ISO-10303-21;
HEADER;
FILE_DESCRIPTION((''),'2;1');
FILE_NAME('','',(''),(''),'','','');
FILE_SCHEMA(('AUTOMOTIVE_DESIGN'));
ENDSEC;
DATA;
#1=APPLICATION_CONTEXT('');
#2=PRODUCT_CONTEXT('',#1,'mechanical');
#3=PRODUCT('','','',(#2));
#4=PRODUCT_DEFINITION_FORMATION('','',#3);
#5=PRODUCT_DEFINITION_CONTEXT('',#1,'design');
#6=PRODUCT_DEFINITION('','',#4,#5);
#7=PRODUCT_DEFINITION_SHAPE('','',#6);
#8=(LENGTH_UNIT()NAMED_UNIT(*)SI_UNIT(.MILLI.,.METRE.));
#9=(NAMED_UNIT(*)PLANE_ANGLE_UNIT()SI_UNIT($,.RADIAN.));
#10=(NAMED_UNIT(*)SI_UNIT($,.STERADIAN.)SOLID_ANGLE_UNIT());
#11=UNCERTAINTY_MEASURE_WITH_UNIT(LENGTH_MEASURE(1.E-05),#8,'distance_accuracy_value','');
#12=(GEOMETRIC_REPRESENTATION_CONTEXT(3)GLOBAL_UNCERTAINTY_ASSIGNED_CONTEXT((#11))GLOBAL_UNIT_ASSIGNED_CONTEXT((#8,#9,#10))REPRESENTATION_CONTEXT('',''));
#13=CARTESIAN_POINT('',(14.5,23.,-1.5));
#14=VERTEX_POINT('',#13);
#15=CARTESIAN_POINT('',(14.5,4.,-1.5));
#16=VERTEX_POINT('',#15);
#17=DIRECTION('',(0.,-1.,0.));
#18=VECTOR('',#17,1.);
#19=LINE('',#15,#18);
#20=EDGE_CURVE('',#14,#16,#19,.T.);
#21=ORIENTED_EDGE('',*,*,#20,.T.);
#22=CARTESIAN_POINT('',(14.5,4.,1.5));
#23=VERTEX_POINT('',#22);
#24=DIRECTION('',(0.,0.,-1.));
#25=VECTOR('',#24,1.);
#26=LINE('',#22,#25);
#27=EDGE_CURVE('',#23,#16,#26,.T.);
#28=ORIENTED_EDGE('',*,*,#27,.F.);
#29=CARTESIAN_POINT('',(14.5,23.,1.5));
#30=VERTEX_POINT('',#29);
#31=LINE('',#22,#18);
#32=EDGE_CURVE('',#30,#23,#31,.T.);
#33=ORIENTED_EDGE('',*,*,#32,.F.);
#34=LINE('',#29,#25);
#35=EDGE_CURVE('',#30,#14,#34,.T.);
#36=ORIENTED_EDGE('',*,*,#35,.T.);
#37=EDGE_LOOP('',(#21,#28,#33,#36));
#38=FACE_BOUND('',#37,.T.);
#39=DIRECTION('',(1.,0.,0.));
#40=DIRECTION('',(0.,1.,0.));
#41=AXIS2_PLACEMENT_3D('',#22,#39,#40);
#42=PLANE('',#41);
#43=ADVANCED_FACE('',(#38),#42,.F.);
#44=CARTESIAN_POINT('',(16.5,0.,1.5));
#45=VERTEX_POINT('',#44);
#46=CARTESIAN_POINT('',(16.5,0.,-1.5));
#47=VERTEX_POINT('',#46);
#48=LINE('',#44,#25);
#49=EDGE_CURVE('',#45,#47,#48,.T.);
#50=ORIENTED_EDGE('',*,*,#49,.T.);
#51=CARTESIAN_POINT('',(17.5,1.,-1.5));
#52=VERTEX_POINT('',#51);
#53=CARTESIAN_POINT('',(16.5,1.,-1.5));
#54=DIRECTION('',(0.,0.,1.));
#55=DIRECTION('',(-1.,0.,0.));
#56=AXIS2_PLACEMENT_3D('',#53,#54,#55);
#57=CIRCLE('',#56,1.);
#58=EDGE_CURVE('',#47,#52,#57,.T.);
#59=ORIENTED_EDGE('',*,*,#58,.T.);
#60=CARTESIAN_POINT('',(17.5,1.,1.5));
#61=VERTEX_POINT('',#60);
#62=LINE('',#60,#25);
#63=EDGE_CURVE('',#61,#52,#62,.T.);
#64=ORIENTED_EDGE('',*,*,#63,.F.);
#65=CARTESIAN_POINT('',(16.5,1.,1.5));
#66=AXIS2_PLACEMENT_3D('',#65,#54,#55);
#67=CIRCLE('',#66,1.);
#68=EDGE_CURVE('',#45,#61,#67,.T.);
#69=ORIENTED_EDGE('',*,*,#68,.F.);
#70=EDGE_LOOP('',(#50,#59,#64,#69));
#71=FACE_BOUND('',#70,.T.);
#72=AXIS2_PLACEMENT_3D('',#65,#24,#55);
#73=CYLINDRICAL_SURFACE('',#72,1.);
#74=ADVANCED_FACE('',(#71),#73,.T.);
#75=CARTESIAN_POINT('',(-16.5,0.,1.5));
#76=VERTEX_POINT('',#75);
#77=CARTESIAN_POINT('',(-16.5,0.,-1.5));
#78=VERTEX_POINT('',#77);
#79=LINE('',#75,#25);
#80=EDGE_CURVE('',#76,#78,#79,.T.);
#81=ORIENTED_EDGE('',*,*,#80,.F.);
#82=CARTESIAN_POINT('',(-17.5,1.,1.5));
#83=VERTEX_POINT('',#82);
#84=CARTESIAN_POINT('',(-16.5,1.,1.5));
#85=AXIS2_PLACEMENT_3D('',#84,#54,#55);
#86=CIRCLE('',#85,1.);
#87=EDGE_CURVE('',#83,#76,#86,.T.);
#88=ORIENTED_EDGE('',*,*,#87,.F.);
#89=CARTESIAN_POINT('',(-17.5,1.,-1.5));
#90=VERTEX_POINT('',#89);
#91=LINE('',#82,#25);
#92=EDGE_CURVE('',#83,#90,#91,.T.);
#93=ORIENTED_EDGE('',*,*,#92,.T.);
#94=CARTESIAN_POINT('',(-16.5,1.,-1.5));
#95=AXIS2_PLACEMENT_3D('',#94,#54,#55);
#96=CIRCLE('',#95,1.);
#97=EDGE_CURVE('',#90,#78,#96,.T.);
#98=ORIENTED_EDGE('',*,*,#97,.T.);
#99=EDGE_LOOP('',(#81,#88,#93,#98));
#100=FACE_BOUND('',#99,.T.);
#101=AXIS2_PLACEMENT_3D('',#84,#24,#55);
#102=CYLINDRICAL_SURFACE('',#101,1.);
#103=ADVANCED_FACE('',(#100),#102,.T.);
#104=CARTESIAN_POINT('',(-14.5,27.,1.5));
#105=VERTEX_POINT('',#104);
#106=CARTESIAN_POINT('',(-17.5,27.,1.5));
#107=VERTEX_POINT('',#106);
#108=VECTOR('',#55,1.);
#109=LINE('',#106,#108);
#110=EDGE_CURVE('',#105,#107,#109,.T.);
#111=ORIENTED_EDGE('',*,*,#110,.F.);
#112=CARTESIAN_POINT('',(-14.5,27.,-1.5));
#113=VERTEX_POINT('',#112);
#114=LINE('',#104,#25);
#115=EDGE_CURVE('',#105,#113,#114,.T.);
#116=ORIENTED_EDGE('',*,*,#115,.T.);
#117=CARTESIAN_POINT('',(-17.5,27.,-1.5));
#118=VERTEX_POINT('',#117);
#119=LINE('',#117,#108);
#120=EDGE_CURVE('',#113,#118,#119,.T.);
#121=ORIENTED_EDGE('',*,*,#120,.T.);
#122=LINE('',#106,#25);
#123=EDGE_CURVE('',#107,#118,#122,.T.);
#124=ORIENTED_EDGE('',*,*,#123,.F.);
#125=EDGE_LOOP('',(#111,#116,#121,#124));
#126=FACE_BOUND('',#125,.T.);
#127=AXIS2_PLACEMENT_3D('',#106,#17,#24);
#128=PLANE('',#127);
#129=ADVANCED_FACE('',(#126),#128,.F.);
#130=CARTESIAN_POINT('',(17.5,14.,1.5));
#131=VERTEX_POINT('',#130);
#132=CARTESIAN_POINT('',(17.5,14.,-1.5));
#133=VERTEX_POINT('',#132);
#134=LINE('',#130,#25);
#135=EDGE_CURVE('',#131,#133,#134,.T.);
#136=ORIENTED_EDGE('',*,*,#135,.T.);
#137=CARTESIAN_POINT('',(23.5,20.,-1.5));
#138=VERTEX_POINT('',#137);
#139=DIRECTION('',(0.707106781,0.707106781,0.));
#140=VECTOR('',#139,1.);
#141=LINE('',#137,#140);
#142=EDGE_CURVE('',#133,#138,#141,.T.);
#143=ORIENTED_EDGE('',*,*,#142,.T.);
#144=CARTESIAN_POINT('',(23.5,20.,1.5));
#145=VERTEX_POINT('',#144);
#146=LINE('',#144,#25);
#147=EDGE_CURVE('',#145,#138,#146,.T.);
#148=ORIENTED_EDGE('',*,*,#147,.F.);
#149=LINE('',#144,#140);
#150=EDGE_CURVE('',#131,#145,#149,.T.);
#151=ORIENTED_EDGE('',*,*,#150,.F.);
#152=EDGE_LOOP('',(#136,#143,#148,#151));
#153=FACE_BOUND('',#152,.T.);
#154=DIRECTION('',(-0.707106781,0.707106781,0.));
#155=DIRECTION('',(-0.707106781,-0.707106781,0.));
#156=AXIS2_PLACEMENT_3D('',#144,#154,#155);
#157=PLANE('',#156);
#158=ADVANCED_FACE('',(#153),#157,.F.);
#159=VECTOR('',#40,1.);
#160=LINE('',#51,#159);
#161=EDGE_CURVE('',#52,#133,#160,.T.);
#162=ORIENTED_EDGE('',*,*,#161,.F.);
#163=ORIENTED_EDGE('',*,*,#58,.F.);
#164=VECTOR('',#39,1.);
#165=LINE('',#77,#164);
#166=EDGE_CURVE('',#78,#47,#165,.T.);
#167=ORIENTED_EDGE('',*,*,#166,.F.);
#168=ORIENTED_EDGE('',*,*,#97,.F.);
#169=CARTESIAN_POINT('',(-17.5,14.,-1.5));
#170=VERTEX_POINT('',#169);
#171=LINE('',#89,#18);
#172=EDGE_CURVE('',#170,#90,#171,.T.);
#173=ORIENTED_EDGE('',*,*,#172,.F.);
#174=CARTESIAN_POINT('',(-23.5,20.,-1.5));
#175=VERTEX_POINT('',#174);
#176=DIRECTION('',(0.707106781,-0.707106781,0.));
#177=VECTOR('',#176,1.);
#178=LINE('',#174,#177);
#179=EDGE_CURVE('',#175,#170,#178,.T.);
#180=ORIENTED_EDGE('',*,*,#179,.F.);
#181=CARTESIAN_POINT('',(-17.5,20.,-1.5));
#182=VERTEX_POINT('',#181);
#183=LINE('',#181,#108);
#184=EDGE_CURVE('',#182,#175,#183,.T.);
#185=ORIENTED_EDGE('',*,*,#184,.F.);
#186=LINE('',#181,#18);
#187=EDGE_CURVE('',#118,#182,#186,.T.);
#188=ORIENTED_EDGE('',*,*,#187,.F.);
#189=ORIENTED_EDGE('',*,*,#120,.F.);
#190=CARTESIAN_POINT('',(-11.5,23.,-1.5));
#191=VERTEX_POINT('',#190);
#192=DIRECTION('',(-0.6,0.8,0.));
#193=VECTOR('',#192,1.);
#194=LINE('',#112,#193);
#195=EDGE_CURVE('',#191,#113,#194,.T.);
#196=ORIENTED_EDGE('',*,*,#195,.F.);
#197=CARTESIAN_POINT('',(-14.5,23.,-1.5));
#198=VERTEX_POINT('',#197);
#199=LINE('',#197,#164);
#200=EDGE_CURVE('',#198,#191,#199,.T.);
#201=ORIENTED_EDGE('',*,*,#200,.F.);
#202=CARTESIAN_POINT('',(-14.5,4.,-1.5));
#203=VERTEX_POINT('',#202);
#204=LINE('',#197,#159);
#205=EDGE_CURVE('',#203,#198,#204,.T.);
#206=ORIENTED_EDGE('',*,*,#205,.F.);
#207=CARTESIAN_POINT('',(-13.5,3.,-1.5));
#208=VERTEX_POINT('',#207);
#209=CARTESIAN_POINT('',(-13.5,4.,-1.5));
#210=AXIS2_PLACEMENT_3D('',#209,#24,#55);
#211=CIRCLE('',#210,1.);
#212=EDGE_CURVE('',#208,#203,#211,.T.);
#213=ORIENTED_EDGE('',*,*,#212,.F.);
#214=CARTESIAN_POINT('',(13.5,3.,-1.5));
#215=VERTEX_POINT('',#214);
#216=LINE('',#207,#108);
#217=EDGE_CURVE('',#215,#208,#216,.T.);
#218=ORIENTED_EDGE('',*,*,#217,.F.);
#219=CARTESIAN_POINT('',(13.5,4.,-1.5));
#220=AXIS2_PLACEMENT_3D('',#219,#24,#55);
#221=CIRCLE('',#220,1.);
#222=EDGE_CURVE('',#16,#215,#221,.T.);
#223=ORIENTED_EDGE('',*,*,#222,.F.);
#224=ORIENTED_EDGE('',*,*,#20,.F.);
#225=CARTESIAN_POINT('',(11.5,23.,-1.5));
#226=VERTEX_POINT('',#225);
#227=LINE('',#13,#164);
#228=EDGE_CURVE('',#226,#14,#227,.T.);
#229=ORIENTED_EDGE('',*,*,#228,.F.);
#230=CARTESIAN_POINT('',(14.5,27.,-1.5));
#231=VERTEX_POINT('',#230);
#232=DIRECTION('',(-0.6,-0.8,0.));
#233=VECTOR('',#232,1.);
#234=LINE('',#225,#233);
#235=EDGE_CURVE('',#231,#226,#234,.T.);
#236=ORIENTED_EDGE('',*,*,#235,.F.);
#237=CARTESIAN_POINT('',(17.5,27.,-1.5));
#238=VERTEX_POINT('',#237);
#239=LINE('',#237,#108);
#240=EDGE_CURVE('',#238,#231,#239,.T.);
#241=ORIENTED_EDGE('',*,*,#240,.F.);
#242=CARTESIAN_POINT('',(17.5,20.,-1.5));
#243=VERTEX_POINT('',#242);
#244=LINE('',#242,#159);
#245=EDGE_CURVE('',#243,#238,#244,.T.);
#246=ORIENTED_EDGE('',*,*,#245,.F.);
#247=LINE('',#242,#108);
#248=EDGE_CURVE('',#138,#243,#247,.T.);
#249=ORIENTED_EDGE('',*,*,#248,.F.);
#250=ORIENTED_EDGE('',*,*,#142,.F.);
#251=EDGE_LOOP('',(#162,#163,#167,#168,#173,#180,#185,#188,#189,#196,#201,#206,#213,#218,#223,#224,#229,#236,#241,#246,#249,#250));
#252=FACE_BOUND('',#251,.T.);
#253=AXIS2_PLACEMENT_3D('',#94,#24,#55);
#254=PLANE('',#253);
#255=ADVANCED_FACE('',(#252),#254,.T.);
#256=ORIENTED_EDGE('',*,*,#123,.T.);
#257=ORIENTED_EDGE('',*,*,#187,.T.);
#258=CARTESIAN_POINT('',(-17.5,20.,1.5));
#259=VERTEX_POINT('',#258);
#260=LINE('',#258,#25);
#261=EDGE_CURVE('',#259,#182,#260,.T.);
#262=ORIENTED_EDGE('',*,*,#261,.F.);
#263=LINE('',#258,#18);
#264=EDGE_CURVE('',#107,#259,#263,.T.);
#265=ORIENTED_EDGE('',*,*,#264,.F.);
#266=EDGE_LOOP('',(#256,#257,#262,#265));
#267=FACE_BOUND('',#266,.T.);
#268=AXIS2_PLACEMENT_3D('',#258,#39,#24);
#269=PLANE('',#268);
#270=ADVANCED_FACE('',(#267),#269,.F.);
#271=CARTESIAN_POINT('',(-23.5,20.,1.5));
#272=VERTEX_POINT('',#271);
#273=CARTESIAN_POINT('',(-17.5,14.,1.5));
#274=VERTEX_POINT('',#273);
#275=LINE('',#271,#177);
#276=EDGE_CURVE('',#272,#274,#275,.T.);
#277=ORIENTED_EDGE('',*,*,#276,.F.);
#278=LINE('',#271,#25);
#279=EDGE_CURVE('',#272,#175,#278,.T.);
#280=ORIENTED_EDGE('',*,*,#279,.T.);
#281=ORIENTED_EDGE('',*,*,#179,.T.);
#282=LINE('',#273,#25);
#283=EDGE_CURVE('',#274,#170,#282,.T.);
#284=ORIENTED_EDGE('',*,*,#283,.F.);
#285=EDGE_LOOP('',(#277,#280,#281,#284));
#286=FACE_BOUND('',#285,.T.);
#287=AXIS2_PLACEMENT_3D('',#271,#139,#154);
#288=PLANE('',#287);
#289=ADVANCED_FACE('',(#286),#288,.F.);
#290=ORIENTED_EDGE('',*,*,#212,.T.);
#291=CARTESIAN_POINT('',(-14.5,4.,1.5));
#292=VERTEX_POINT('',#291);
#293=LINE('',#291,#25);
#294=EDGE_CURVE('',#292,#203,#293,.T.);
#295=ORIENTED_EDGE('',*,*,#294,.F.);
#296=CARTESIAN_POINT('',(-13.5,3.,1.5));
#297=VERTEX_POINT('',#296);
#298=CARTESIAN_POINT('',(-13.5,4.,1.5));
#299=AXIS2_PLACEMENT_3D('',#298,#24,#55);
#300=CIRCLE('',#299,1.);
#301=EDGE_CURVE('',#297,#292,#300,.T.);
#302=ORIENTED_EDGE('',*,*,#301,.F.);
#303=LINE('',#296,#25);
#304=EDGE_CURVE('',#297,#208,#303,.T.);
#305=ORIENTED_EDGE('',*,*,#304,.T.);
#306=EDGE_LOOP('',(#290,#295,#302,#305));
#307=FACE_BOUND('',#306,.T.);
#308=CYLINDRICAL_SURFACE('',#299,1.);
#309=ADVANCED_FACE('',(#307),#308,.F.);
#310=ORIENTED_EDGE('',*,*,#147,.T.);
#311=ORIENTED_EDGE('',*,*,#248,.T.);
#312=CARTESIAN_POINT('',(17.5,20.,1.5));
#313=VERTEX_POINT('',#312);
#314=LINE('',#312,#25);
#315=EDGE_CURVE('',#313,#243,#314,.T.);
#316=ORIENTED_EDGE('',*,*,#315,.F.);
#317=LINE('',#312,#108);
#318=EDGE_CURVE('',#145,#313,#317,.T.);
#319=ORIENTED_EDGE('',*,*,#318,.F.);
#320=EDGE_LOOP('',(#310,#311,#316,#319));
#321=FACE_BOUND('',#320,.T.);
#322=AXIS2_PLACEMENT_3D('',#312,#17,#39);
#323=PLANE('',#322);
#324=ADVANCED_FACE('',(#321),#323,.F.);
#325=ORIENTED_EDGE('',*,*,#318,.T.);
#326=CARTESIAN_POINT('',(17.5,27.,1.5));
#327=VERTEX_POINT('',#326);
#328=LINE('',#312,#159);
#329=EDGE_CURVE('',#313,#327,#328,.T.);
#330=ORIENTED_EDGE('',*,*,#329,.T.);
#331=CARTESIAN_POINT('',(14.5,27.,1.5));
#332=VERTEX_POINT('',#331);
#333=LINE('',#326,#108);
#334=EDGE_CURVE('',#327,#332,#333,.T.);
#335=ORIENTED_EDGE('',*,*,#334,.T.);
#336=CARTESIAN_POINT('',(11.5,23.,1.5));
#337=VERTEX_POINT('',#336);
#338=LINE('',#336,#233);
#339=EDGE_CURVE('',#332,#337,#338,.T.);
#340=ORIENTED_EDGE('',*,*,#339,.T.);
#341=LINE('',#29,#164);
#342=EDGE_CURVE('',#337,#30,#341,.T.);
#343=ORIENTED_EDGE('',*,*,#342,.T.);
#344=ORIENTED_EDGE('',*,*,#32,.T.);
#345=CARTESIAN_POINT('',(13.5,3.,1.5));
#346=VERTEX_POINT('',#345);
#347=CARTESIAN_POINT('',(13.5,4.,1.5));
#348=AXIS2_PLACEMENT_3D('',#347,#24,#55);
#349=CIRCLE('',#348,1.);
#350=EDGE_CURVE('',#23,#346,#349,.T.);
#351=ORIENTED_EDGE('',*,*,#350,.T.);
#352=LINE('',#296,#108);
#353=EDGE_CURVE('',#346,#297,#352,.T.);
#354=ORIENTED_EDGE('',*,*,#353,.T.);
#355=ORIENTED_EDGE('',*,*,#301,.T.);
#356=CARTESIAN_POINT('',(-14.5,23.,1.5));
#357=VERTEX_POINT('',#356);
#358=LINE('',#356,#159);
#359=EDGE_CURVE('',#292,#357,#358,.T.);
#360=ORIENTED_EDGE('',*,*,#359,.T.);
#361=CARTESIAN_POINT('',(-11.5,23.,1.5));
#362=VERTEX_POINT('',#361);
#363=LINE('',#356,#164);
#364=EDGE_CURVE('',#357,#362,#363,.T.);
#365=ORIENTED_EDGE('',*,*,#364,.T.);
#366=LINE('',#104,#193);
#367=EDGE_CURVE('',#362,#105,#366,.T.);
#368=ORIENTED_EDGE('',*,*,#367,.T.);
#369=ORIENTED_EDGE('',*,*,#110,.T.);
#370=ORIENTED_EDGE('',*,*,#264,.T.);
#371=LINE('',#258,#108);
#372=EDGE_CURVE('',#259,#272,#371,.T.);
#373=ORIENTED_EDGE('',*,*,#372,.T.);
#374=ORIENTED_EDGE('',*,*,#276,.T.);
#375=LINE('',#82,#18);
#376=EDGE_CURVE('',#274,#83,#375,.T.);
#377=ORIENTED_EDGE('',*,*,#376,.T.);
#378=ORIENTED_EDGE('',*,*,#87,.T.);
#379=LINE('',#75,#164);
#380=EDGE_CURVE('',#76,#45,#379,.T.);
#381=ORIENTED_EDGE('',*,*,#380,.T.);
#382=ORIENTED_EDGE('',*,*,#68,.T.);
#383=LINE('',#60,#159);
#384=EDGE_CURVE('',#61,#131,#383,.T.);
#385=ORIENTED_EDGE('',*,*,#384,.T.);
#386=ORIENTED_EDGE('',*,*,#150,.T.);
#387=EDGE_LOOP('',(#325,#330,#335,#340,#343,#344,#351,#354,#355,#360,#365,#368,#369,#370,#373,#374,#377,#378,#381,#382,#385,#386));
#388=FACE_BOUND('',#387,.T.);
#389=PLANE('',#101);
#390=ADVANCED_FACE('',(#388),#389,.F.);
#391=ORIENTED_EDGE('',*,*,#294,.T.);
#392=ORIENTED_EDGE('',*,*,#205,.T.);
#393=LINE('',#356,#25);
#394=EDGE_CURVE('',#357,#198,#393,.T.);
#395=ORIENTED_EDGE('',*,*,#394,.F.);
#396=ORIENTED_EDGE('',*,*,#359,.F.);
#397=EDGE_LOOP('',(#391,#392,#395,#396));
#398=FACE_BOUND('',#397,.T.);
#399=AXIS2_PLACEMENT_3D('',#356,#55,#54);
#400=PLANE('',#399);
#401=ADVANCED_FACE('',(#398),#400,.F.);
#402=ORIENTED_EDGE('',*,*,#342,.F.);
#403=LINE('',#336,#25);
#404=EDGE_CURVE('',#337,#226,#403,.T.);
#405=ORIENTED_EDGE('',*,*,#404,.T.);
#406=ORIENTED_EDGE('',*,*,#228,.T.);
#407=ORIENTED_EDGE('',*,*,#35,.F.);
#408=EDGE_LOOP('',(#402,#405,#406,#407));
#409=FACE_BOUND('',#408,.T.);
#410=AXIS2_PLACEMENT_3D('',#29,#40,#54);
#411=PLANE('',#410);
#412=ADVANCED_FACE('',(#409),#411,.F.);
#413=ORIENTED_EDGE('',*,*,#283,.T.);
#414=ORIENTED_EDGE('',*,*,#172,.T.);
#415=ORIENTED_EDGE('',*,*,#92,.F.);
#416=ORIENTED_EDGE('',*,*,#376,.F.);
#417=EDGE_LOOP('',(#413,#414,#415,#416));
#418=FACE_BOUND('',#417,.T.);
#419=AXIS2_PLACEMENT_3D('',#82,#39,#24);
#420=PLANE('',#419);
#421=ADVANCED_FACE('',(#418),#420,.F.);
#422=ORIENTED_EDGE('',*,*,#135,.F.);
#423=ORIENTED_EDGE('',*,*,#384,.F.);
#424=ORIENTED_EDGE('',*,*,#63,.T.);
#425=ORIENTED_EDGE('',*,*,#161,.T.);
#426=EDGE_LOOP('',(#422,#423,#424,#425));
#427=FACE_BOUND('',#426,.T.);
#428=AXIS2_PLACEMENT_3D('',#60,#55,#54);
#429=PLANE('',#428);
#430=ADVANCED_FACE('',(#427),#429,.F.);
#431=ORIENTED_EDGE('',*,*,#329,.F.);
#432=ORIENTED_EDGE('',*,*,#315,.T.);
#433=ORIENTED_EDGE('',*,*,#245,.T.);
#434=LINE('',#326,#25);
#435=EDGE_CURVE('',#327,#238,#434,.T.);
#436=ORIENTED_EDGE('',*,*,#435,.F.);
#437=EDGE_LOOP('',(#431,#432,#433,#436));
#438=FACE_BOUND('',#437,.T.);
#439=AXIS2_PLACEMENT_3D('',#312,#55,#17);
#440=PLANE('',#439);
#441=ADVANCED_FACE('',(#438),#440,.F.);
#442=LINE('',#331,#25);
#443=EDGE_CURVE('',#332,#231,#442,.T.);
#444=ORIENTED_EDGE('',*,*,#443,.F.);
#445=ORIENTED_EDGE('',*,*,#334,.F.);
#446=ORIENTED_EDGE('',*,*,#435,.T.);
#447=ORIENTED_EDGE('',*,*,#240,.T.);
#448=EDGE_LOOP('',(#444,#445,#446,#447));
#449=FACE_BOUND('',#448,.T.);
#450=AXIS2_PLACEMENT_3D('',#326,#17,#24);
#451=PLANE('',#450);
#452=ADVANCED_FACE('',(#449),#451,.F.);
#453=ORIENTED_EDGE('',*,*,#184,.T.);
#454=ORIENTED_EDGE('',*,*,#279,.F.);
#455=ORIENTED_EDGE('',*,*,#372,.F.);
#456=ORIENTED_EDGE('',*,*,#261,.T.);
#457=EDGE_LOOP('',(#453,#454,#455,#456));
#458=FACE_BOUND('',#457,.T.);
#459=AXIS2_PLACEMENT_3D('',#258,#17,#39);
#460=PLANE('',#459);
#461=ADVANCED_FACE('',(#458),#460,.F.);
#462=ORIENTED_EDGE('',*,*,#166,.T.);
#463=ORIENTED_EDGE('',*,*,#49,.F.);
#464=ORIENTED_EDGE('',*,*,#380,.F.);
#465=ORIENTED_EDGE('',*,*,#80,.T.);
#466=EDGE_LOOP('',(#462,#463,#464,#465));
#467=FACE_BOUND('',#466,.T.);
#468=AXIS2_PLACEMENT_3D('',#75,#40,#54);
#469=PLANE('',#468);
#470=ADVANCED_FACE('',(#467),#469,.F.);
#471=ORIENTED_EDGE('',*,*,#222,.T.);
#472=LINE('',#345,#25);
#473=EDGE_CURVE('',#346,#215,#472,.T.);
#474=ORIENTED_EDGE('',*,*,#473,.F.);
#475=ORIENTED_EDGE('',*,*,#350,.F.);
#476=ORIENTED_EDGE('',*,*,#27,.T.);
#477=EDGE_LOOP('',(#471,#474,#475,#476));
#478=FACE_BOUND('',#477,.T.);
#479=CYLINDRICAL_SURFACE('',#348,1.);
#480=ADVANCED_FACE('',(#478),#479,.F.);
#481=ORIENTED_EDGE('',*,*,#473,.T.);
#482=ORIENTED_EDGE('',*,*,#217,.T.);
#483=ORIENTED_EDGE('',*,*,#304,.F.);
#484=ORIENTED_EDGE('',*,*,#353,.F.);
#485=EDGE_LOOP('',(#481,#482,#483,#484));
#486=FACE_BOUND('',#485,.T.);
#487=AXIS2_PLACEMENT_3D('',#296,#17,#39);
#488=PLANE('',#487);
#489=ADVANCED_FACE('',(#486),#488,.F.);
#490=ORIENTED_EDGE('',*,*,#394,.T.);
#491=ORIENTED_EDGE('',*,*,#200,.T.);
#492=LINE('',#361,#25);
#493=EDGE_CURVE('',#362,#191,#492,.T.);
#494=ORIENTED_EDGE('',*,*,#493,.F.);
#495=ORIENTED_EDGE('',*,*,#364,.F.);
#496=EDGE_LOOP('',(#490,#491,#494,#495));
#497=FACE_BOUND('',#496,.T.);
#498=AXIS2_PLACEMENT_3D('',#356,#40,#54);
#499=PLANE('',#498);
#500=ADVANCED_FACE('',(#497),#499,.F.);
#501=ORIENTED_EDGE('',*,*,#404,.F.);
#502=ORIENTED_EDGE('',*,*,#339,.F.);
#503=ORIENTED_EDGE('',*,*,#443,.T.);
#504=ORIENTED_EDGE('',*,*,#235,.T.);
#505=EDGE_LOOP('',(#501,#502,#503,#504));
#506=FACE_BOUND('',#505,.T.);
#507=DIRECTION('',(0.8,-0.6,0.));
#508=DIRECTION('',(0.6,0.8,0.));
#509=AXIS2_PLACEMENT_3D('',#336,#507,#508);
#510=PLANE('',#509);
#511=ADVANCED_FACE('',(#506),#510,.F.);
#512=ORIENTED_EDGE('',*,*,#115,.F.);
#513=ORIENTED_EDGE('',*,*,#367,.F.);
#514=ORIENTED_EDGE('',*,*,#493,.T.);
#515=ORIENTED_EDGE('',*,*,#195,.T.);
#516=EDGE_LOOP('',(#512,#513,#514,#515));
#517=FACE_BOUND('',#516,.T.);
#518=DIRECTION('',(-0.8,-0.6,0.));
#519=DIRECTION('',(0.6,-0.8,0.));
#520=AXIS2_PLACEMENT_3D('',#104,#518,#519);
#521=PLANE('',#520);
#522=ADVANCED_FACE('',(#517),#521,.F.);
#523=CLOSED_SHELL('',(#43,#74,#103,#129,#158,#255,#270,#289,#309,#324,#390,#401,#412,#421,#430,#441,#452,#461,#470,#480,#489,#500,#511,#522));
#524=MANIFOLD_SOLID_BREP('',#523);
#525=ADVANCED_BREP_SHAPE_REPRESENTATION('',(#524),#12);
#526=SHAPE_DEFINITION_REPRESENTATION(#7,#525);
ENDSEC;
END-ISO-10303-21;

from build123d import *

# Parameters (mm, degrees)
BOSS_EXTRUDE1_DEPTH = 1.5


with BuildPart() as part:
    # Sketch1 → Boss-Extrude1 (new, symmetric)
    with BuildSketch(Plane.XY):
        with BuildLine():
            Line((-13.5, 3), (13.5, 3))
            ThreePointArc((13.5, 3), (14.207106781, 3.292893219), (14.5, 4))
            Line((14.5, 4), (14.5, 23))
            Line((14.5, 23), (11.5, 23))
            Line((11.5, 23), (14.5, 27))
            Line((14.5, 27), (17.5, 27))
            Line((17.5, 27), (17.5, 20))
            Line((17.5, 20), (23.5, 20))
            Line((23.5, 20), (17.5, 14))
            Line((17.5, 14), (17.5, 1))
            ThreePointArc((17.5, 1), (17.207106781, 0.292893219), (16.5, 0))
            Line((16.5, 0), (-16.5, 0))
            ThreePointArc((-16.5, 0), (-17.207106781, 0.292893219), (-17.5, 1))
            Line((-17.5, 1), (-17.5, 14))
            Line((-17.5, 14), (-23.5, 20))
            Line((-23.5, 20), (-17.5, 20))
            Line((-17.5, 20), (-17.5, 27))
            Line((-17.5, 27), (-14.5, 27))
            Line((-14.5, 27), (-11.5, 23))
            Line((-11.5, 23), (-14.5, 23))
            Line((-14.5, 23), (-14.5, 4))
            ThreePointArc((-14.5, 4), (-14.207106781, 3.292893219), (-13.5, 3))
        make_face()
    extrude(amount=BOSS_EXTRUDE1_DEPTH, both=True)


solid = part.part
